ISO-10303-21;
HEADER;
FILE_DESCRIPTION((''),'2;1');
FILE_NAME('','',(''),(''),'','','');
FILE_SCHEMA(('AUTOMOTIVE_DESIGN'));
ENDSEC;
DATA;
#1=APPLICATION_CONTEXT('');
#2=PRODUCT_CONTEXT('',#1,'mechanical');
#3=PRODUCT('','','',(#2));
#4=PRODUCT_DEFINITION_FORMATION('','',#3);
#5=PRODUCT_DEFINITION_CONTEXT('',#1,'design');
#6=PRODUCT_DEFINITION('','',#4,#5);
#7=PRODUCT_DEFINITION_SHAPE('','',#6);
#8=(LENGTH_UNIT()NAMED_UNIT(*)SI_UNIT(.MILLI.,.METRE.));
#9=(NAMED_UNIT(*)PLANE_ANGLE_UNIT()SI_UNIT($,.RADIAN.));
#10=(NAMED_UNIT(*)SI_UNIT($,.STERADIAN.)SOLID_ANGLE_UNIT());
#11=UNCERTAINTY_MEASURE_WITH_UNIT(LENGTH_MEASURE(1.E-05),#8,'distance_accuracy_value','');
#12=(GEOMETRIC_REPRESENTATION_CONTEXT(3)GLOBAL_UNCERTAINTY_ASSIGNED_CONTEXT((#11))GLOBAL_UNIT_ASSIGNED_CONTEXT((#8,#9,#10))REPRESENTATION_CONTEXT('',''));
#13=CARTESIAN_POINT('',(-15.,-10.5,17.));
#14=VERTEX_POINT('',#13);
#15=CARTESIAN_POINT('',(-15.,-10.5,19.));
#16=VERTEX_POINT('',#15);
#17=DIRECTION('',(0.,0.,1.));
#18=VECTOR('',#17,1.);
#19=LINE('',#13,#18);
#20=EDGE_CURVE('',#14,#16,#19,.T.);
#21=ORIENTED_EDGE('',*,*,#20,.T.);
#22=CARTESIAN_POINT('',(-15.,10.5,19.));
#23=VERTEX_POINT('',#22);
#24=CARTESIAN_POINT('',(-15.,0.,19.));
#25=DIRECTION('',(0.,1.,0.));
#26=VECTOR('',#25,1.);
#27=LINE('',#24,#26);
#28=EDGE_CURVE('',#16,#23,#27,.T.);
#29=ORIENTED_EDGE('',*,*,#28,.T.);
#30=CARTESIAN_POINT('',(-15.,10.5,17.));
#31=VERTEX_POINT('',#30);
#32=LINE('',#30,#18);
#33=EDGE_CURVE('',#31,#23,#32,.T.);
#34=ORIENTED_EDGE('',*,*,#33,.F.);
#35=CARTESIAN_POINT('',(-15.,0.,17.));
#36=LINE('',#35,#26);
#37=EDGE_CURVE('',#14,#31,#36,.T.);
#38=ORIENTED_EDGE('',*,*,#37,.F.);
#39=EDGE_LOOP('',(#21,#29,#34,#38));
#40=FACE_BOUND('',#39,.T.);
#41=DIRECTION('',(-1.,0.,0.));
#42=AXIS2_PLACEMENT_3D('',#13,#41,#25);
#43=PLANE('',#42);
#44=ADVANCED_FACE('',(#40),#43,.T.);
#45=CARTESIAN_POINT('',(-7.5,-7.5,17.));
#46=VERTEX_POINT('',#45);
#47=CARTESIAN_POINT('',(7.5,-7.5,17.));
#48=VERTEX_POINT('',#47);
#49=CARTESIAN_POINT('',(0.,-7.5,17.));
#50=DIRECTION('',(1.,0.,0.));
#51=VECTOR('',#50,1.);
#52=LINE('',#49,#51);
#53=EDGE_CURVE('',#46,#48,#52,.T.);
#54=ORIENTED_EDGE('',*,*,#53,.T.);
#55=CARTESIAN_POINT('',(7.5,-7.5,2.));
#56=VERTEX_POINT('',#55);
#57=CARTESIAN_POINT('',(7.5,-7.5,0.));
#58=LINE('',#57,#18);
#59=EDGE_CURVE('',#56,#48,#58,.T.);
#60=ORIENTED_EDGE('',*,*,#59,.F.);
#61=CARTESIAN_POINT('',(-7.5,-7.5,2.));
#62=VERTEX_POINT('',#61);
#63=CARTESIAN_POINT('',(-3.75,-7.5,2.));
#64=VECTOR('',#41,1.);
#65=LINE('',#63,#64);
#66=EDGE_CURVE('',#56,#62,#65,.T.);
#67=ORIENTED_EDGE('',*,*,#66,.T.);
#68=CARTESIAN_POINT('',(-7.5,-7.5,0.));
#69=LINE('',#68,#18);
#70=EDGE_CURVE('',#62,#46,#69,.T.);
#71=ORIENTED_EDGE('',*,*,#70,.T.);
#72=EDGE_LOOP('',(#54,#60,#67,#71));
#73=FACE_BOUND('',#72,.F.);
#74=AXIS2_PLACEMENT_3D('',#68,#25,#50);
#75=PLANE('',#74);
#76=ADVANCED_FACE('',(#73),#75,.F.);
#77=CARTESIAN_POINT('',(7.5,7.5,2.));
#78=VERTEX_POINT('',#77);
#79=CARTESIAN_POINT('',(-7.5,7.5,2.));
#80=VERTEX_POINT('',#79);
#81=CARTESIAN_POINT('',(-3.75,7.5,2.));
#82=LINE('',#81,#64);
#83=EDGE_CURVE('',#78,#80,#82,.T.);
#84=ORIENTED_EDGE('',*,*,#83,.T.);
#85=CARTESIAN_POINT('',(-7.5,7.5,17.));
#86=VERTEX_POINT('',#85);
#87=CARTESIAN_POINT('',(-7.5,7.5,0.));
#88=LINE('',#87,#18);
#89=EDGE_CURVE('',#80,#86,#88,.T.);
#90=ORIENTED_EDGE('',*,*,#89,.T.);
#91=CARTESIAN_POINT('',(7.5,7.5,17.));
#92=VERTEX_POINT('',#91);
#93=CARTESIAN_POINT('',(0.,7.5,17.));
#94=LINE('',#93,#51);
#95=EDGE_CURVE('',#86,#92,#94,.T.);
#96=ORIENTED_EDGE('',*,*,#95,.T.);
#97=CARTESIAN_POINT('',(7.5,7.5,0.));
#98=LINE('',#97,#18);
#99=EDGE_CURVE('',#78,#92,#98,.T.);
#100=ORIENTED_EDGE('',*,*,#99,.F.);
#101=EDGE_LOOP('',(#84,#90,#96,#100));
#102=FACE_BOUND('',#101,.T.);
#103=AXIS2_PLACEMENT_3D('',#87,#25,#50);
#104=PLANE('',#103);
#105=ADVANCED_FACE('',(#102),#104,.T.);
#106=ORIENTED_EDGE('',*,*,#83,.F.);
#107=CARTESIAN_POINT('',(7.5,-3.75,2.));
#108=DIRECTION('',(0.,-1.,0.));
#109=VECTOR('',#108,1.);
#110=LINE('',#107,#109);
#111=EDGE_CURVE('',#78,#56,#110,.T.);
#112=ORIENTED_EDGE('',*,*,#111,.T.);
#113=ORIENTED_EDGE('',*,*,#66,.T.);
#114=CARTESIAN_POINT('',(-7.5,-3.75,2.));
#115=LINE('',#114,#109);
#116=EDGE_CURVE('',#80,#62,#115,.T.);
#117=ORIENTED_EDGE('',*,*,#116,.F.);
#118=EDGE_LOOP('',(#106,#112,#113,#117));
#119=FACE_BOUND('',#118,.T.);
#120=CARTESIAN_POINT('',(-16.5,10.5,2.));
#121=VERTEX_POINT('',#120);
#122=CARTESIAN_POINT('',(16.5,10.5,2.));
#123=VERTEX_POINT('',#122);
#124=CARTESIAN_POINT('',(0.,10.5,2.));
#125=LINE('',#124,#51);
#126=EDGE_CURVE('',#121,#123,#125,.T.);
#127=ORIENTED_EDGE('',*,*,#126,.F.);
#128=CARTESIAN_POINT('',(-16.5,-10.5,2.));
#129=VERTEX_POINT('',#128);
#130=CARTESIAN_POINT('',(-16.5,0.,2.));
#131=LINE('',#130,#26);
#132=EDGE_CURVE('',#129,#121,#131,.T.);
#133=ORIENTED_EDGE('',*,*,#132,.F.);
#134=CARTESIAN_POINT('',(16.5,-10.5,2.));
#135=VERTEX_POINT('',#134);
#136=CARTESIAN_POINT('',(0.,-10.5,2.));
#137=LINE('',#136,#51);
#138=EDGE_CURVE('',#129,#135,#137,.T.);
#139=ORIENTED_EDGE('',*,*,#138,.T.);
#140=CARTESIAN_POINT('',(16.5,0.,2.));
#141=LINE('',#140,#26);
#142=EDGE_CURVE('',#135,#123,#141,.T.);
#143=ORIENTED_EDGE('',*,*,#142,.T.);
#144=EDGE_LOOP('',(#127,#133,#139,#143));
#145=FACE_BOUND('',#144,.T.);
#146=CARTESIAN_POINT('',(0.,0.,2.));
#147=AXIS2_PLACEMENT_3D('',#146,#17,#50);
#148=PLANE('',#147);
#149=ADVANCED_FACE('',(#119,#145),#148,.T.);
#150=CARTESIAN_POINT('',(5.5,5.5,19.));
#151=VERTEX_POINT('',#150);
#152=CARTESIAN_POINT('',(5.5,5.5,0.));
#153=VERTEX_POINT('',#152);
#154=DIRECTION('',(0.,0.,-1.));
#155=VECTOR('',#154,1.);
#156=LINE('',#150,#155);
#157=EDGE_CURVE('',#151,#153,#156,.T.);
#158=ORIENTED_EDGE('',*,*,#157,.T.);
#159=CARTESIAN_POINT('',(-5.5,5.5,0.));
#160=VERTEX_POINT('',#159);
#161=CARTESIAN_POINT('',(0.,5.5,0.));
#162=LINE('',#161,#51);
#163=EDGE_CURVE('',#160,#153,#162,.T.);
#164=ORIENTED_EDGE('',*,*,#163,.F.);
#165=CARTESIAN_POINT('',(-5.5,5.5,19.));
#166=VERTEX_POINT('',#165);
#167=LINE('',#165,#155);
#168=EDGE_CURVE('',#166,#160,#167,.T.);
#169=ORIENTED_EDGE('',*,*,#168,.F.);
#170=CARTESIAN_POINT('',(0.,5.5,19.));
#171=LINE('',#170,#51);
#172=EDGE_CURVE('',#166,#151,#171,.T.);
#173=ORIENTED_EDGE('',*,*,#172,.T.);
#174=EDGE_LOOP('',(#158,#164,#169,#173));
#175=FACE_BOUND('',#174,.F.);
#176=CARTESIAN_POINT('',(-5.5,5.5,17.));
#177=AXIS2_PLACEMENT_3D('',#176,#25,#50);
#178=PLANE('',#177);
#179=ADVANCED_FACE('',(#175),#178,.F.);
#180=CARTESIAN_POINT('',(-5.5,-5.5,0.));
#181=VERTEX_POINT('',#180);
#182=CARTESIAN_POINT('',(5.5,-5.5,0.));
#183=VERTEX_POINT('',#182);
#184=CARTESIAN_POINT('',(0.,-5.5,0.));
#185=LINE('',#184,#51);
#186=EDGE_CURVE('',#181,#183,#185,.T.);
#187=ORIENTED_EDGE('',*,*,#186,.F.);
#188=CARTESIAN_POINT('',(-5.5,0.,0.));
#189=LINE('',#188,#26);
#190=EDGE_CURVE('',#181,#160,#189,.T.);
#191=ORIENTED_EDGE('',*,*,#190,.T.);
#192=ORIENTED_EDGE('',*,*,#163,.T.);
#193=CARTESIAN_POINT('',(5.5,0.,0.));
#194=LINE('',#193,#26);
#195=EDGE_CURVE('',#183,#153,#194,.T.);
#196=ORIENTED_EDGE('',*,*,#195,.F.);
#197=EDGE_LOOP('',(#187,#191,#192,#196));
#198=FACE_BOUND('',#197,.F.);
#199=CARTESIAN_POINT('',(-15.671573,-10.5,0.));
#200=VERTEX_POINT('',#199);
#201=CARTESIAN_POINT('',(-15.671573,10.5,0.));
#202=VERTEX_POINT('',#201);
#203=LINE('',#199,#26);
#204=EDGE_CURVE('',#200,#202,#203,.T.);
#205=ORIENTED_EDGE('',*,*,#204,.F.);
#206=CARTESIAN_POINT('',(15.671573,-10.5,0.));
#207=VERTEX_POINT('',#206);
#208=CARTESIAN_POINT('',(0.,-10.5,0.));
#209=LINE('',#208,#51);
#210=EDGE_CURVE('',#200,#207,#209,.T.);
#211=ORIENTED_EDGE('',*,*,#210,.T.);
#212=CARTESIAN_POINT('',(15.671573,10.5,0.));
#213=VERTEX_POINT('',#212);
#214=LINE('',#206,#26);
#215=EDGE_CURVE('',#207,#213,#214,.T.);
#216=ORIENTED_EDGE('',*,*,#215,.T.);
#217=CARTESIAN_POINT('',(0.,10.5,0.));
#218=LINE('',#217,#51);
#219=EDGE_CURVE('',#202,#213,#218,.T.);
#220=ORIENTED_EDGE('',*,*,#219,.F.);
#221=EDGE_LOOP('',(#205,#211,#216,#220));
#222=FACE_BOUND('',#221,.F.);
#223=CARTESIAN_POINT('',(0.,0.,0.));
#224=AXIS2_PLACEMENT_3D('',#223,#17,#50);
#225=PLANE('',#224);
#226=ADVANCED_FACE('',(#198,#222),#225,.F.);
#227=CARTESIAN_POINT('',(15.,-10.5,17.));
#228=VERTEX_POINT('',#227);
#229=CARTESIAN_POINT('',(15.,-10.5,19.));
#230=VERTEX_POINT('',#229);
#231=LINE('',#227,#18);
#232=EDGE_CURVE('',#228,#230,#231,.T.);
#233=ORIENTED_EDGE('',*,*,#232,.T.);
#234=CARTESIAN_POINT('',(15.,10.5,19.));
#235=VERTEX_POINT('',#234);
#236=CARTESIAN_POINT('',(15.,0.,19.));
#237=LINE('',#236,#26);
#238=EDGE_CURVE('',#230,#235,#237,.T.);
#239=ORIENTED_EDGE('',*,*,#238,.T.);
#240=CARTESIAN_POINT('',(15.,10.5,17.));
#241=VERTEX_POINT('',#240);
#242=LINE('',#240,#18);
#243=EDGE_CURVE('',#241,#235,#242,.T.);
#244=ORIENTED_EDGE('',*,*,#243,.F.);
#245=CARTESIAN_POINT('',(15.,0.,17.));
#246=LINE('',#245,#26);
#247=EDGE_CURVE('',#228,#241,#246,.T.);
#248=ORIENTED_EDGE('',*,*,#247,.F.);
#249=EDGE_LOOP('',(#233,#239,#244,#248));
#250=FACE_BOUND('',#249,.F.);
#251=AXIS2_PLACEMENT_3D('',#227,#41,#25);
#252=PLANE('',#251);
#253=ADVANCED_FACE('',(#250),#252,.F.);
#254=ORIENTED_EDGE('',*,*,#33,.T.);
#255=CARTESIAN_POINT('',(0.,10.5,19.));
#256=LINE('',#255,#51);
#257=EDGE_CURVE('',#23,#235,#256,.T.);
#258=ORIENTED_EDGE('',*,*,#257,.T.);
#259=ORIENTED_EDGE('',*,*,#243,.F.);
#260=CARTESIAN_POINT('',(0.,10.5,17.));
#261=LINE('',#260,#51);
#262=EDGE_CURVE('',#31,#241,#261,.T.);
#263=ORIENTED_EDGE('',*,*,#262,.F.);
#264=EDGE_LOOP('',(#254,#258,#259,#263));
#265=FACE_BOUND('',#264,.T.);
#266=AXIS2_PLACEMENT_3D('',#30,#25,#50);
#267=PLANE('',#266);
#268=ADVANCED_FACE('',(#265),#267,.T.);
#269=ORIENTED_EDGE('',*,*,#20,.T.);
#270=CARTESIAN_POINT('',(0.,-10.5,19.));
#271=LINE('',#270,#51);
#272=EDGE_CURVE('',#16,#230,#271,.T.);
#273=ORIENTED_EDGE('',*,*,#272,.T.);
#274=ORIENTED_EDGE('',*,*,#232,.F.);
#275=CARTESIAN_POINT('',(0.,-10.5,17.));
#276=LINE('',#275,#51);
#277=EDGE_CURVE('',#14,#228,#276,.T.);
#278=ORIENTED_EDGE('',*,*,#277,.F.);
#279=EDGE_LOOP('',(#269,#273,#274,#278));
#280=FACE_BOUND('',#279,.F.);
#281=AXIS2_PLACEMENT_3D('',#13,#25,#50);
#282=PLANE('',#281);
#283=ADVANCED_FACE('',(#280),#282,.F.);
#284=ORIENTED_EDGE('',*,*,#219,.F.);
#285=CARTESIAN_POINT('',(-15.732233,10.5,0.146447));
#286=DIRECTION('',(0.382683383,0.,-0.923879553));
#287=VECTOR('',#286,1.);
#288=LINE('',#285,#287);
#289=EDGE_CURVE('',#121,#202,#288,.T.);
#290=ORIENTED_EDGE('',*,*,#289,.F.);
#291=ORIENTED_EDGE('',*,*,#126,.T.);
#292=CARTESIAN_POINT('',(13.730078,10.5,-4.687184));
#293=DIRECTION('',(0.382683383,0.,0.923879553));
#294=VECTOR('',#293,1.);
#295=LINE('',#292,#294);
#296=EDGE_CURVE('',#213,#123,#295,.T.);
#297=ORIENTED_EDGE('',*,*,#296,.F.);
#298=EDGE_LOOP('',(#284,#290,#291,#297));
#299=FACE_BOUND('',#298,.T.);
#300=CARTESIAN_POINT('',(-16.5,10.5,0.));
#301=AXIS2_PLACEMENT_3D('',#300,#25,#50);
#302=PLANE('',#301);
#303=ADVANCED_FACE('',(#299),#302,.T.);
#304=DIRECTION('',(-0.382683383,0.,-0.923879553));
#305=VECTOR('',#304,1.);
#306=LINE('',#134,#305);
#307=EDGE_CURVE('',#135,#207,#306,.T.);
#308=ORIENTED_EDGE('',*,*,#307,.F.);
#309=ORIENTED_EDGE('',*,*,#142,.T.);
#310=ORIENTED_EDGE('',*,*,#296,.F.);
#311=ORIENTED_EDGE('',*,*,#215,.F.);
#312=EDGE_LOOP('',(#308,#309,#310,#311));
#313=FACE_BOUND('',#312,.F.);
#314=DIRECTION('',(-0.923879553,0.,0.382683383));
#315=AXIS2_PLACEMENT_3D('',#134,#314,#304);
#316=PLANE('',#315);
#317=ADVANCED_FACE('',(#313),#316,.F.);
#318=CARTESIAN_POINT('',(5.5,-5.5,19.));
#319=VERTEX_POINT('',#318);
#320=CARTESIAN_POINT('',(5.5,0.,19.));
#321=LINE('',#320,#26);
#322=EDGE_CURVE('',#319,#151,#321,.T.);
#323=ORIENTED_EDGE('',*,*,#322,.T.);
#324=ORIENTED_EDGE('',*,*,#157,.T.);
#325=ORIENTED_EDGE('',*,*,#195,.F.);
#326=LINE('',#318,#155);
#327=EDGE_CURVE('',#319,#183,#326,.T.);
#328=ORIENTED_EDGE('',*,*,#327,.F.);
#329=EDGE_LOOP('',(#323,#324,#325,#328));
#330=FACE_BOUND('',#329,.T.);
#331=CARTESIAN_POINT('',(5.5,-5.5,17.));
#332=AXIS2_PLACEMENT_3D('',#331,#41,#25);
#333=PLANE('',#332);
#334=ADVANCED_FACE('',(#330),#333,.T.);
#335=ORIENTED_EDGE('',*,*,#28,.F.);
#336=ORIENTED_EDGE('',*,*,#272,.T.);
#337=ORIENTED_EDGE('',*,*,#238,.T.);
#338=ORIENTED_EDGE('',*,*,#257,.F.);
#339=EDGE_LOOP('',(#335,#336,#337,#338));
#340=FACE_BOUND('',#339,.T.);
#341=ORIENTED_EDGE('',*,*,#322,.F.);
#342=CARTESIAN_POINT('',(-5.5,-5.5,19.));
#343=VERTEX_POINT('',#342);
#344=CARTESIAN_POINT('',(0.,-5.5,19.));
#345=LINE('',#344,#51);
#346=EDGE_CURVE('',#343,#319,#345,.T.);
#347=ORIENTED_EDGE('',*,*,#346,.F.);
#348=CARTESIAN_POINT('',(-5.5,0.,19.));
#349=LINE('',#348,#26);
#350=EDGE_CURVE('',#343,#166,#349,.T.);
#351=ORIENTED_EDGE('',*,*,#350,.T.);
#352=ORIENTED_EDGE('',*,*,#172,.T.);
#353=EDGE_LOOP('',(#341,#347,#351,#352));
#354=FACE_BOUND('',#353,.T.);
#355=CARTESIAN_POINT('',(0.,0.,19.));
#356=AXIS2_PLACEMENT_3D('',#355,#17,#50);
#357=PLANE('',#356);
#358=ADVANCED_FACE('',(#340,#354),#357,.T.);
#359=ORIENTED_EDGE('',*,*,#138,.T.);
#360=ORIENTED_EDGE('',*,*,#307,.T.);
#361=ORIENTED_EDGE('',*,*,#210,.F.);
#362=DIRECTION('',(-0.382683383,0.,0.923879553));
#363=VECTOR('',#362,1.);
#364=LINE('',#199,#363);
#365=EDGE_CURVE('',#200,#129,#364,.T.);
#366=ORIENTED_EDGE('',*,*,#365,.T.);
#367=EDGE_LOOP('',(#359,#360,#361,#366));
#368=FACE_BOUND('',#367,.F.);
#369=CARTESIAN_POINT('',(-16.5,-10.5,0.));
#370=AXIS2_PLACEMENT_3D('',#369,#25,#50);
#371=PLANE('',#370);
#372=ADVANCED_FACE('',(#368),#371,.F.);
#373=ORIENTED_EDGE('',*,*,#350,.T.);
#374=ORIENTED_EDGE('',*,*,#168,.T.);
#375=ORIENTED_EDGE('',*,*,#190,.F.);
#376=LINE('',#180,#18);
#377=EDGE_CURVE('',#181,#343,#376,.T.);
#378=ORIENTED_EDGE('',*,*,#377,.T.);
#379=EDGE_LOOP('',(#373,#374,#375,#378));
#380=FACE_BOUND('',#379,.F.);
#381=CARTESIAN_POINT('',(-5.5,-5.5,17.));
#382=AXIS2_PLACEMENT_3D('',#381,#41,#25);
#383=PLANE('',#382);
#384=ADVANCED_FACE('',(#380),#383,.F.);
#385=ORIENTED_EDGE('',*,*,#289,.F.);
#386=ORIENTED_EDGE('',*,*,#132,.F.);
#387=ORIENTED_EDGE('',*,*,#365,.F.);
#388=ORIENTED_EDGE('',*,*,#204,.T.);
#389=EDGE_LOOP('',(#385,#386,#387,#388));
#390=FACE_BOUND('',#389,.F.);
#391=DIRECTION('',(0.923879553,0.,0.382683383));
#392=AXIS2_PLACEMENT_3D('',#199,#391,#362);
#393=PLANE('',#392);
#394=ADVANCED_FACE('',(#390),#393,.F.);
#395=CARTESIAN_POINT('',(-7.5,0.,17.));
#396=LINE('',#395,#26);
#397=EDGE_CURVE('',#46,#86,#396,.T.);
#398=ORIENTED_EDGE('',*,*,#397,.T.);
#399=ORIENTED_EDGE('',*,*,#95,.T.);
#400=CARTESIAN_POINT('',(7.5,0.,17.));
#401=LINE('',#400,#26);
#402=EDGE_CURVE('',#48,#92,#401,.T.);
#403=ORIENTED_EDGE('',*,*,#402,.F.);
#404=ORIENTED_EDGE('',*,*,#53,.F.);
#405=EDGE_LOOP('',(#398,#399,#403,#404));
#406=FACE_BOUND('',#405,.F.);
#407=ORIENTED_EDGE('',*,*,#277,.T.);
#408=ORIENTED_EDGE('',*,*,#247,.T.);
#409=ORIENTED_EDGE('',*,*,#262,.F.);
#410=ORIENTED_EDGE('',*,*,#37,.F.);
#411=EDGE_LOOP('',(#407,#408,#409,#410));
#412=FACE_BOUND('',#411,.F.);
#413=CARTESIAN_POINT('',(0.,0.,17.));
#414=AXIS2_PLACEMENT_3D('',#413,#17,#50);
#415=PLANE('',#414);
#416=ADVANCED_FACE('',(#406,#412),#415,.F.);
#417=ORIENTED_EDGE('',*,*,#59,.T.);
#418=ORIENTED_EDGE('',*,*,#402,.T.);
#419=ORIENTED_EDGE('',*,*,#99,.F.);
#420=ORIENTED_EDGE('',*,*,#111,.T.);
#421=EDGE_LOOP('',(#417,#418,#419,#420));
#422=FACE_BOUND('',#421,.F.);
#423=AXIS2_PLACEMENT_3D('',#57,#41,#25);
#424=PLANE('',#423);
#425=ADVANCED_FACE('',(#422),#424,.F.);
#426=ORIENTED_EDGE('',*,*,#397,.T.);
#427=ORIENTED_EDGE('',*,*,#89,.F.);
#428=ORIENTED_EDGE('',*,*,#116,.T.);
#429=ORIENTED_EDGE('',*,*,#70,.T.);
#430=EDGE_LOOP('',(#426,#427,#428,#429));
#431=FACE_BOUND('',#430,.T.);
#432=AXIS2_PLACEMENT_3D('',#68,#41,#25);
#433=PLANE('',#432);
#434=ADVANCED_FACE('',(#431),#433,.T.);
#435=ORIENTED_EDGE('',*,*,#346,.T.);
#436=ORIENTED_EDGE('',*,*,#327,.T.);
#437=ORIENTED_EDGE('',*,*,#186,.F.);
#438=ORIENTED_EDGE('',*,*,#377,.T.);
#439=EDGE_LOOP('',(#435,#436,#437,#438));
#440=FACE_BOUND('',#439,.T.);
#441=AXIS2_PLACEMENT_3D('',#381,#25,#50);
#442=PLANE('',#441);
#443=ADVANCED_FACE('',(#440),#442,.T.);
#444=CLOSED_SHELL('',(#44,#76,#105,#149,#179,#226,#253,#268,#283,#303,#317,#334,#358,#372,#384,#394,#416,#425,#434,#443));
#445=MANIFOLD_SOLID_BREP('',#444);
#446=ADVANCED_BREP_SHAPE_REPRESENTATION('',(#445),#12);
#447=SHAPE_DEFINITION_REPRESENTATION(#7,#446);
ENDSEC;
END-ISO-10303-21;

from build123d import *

# Parameters (mm, degrees)
F0_W     = 33
F0_H     = 21
F0_W_2   = 15
F0_H_2   = 15
F0_W_3   = 11
F0_H_3   = 11
F1_DEPTH = 2
F2_DEPTH = 17
F3_W     = 30
F3_H     = 21
F3_W_2   = 15
F3_H_2   = 15
F3_W_3   = 11
F3_H_3   = 11
F4_DEPTH = 2
F6_DEPTH = 25


with BuildPart() as f1:
    # F0 (on Top) → F1 (new body)
    with BuildSketch(Plane.XY):
        Rectangle(F0_W, F0_H)
        Rectangle(F0_W_2, F0_H_2, mode=Mode.SUBTRACT)
        Rectangle(F0_W_2, F0_H_2)
        Rectangle(F0_W_3, F0_H_3, mode=Mode.SUBTRACT)
    extrude(amount=F1_DEPTH)

    # F0 (on Top) → F2 (join)
    with BuildSketch(Plane.XY):
        Rectangle(F0_W_2, F0_H_2)
        Rectangle(F0_W_3, F0_H_3, mode=Mode.SUBTRACT)
    extrude(amount=F2_DEPTH)

    # F3 (on face) → F4 (join)
    with BuildSketch(Plane.XY.offset(17)):
        Rectangle(F3_W, F3_H)
        Rectangle(F3_W_2, F3_H_2, mode=Mode.SUBTRACT)
        Rectangle(F3_W_2, F3_H_2)
        Rectangle(F3_W_3, F3_H_3, mode=Mode.SUBTRACT)
    extrude(amount=F4_DEPTH)

    # F5 (on face) → F6 (cut)
    with BuildSketch(Plane.XZ.offset(10.5)):
        Polygon((-15.671573, 0), (-16.5, 2), (-16.5, 0), align=None)
        Polygon((16.5, 0), (16.5, 2), (15.671573, 0), align=None)
    extrude(amount=-F6_DEPTH, mode=Mode.SUBTRACT)


solid = f1.part
